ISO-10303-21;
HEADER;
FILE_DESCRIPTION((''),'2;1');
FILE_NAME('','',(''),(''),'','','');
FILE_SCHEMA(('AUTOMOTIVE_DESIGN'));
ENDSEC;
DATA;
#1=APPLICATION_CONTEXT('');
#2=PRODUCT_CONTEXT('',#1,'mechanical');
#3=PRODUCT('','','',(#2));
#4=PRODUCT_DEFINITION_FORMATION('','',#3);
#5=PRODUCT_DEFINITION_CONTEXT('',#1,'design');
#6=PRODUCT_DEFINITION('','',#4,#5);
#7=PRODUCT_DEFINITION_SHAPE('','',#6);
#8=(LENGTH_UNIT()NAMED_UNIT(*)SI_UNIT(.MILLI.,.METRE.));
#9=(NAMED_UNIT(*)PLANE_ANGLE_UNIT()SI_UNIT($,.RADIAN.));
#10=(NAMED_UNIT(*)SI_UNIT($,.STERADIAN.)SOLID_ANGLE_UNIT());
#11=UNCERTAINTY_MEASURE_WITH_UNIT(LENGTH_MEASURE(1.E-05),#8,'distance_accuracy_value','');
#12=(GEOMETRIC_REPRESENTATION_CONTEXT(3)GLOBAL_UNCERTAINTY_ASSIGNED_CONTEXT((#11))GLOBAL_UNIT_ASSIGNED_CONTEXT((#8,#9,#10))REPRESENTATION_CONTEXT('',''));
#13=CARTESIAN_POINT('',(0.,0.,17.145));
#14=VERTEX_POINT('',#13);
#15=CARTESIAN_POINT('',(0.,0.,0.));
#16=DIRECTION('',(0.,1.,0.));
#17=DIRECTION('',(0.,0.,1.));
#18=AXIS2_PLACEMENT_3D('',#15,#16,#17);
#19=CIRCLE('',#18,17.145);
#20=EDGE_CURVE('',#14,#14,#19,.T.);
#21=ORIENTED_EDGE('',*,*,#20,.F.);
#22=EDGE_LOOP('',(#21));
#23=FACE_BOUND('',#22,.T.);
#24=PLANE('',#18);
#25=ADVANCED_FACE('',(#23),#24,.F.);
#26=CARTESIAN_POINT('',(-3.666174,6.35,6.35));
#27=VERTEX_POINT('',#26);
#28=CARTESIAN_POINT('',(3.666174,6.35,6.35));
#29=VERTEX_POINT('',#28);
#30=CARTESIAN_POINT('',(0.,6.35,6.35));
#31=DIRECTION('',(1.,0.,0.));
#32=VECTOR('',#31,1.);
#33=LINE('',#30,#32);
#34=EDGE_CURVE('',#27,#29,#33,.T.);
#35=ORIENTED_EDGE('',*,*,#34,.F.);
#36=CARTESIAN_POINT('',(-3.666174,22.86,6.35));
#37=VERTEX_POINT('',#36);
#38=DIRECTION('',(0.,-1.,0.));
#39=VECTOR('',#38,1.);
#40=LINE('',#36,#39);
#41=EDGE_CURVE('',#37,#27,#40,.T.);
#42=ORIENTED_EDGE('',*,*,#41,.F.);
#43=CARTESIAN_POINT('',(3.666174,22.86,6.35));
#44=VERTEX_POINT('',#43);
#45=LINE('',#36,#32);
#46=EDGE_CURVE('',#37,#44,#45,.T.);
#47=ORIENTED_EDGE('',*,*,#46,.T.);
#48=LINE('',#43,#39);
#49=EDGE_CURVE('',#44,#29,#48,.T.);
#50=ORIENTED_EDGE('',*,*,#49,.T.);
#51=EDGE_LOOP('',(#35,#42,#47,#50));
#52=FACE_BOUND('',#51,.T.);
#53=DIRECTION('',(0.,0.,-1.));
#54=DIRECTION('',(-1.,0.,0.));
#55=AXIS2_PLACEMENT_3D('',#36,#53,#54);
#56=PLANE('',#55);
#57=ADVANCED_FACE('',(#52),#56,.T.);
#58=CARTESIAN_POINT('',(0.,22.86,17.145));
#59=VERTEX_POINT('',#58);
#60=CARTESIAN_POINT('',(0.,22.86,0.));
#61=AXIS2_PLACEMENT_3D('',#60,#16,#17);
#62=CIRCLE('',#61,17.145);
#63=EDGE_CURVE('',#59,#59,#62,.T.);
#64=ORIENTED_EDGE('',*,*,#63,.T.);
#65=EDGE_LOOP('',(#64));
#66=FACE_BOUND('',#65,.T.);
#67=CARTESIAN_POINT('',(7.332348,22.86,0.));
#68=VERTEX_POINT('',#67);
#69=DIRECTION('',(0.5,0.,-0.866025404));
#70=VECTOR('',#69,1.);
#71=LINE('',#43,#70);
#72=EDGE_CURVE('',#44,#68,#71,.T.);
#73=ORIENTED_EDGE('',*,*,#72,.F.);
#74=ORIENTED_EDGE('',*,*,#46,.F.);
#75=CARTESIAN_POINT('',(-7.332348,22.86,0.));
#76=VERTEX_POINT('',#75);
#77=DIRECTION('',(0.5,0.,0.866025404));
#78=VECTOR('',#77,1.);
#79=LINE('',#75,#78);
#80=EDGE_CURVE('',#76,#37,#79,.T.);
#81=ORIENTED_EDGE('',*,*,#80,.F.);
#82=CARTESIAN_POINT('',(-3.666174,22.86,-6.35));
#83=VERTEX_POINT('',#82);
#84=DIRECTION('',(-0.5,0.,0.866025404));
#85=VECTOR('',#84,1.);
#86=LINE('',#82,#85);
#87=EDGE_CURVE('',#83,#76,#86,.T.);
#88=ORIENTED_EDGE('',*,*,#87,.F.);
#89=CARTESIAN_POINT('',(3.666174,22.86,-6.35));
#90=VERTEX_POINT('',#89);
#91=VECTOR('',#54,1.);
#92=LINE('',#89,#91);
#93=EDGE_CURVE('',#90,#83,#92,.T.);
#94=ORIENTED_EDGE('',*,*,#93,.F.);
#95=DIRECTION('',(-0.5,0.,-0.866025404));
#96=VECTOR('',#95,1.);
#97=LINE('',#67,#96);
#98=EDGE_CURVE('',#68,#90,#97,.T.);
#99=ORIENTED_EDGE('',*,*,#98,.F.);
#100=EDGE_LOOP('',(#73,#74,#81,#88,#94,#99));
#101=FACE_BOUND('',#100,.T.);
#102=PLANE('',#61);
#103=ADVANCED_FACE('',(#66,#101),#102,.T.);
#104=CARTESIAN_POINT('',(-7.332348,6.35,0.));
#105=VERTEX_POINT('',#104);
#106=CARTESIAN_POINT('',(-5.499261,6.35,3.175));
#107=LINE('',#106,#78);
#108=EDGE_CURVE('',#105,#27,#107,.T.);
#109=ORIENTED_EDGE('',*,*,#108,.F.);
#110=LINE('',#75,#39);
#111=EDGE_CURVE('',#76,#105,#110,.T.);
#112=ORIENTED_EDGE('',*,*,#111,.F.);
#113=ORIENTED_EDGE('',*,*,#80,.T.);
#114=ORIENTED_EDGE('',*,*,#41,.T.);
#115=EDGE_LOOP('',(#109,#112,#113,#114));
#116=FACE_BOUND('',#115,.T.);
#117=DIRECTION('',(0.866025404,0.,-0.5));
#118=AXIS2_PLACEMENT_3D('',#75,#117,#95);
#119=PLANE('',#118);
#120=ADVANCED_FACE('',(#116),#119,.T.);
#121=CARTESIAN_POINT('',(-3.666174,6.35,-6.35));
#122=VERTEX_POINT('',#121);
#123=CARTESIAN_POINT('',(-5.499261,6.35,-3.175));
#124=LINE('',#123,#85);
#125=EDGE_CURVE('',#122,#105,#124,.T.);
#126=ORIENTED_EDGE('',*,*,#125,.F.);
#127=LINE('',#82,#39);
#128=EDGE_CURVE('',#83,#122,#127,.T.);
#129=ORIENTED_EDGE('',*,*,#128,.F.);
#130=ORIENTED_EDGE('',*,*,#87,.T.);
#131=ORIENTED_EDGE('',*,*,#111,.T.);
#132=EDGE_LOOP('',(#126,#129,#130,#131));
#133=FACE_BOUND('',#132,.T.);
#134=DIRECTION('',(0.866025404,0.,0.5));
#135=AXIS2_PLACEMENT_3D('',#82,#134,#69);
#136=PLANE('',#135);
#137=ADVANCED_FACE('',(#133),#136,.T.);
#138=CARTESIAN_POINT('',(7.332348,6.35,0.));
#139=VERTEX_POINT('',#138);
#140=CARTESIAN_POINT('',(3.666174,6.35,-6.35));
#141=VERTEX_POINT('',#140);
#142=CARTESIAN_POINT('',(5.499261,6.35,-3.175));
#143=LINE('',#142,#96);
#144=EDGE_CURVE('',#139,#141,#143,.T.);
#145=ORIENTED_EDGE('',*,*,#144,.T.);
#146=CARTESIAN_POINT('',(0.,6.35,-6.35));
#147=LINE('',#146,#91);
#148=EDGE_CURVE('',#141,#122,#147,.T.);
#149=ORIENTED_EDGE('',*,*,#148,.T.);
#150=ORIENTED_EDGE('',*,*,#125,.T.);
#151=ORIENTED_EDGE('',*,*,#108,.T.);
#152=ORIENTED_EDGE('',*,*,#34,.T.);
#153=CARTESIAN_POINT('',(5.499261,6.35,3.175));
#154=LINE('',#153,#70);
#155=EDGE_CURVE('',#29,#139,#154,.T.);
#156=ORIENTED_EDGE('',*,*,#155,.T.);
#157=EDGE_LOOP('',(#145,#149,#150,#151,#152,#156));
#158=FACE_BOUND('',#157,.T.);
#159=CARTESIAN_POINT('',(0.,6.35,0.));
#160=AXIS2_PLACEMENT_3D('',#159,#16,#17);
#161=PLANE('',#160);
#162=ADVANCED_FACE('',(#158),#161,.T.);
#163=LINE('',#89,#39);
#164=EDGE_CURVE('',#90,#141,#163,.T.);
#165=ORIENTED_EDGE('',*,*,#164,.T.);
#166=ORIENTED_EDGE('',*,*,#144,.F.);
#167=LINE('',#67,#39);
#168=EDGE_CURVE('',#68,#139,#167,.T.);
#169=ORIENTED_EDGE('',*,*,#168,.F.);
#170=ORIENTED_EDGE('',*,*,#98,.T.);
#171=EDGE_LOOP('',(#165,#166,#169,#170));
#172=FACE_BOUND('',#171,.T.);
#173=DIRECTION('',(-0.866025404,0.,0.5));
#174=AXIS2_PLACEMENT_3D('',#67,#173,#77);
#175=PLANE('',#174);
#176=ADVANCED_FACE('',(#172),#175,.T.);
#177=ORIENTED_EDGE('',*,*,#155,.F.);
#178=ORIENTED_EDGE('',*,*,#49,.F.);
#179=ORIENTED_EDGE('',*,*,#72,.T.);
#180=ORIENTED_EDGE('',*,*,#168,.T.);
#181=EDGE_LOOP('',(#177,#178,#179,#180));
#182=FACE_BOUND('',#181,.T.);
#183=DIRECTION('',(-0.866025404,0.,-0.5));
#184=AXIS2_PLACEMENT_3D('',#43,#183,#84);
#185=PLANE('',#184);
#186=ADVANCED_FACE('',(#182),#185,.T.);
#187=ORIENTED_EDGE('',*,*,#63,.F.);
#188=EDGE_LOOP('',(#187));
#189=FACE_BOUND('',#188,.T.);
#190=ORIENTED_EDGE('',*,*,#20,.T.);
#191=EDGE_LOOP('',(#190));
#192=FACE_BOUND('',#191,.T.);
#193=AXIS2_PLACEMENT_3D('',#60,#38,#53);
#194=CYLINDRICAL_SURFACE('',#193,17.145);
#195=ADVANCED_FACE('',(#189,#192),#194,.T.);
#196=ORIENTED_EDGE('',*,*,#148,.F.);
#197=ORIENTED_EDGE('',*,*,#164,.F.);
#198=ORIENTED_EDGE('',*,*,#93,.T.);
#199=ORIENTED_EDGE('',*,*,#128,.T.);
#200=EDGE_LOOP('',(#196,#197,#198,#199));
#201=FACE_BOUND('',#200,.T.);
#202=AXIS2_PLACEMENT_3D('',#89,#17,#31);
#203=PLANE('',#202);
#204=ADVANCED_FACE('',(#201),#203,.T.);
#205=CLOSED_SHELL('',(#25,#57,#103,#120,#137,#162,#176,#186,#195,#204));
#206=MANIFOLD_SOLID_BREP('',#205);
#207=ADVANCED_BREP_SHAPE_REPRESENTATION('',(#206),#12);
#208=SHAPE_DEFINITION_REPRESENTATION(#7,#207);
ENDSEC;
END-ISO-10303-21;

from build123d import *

# Parameters (mm, degrees)
SKETCH1_R           = 17.145
BOSS_EXTRUDE1_DEPTH = 22.86
BOSS_EXTRUDE2_DEPTH = 6.35


with BuildPart() as part:
    # Sketch1 → Boss-Extrude1 (new body)
    with BuildSketch(Plane(origin=(0, 0, 0), x_dir=(1, 0, 0), z_dir=(0, 1, 0))):
        Circle(SKETCH1_R)
        Polygon((7.332348419, 0), (3.666174209, 6.35), (-3.666174209, 6.35), (-7.332348419, 0), (-3.666174209, -6.35), (3.666174209, -6.35), align=None, mode=Mode.SUBTRACT)
    extrude(amount=BOSS_EXTRUDE1_DEPTH)

    # Sketch1<2> → Boss-Extrude2 (add)
    with BuildSketch(Plane(origin=(0, 0, 0), x_dir=(1, 0, 0), z_dir=(0, 1, 0))):
        Polygon((3.666174209, -6.35), (7.332348419, 0), (3.666174209, 6.35), (-3.666174209, 6.35), (-7.332348419, 0), (-3.666174209, -6.35), align=None)
    extrude(amount=BOSS_EXTRUDE2_DEPTH)


solid = part.part
